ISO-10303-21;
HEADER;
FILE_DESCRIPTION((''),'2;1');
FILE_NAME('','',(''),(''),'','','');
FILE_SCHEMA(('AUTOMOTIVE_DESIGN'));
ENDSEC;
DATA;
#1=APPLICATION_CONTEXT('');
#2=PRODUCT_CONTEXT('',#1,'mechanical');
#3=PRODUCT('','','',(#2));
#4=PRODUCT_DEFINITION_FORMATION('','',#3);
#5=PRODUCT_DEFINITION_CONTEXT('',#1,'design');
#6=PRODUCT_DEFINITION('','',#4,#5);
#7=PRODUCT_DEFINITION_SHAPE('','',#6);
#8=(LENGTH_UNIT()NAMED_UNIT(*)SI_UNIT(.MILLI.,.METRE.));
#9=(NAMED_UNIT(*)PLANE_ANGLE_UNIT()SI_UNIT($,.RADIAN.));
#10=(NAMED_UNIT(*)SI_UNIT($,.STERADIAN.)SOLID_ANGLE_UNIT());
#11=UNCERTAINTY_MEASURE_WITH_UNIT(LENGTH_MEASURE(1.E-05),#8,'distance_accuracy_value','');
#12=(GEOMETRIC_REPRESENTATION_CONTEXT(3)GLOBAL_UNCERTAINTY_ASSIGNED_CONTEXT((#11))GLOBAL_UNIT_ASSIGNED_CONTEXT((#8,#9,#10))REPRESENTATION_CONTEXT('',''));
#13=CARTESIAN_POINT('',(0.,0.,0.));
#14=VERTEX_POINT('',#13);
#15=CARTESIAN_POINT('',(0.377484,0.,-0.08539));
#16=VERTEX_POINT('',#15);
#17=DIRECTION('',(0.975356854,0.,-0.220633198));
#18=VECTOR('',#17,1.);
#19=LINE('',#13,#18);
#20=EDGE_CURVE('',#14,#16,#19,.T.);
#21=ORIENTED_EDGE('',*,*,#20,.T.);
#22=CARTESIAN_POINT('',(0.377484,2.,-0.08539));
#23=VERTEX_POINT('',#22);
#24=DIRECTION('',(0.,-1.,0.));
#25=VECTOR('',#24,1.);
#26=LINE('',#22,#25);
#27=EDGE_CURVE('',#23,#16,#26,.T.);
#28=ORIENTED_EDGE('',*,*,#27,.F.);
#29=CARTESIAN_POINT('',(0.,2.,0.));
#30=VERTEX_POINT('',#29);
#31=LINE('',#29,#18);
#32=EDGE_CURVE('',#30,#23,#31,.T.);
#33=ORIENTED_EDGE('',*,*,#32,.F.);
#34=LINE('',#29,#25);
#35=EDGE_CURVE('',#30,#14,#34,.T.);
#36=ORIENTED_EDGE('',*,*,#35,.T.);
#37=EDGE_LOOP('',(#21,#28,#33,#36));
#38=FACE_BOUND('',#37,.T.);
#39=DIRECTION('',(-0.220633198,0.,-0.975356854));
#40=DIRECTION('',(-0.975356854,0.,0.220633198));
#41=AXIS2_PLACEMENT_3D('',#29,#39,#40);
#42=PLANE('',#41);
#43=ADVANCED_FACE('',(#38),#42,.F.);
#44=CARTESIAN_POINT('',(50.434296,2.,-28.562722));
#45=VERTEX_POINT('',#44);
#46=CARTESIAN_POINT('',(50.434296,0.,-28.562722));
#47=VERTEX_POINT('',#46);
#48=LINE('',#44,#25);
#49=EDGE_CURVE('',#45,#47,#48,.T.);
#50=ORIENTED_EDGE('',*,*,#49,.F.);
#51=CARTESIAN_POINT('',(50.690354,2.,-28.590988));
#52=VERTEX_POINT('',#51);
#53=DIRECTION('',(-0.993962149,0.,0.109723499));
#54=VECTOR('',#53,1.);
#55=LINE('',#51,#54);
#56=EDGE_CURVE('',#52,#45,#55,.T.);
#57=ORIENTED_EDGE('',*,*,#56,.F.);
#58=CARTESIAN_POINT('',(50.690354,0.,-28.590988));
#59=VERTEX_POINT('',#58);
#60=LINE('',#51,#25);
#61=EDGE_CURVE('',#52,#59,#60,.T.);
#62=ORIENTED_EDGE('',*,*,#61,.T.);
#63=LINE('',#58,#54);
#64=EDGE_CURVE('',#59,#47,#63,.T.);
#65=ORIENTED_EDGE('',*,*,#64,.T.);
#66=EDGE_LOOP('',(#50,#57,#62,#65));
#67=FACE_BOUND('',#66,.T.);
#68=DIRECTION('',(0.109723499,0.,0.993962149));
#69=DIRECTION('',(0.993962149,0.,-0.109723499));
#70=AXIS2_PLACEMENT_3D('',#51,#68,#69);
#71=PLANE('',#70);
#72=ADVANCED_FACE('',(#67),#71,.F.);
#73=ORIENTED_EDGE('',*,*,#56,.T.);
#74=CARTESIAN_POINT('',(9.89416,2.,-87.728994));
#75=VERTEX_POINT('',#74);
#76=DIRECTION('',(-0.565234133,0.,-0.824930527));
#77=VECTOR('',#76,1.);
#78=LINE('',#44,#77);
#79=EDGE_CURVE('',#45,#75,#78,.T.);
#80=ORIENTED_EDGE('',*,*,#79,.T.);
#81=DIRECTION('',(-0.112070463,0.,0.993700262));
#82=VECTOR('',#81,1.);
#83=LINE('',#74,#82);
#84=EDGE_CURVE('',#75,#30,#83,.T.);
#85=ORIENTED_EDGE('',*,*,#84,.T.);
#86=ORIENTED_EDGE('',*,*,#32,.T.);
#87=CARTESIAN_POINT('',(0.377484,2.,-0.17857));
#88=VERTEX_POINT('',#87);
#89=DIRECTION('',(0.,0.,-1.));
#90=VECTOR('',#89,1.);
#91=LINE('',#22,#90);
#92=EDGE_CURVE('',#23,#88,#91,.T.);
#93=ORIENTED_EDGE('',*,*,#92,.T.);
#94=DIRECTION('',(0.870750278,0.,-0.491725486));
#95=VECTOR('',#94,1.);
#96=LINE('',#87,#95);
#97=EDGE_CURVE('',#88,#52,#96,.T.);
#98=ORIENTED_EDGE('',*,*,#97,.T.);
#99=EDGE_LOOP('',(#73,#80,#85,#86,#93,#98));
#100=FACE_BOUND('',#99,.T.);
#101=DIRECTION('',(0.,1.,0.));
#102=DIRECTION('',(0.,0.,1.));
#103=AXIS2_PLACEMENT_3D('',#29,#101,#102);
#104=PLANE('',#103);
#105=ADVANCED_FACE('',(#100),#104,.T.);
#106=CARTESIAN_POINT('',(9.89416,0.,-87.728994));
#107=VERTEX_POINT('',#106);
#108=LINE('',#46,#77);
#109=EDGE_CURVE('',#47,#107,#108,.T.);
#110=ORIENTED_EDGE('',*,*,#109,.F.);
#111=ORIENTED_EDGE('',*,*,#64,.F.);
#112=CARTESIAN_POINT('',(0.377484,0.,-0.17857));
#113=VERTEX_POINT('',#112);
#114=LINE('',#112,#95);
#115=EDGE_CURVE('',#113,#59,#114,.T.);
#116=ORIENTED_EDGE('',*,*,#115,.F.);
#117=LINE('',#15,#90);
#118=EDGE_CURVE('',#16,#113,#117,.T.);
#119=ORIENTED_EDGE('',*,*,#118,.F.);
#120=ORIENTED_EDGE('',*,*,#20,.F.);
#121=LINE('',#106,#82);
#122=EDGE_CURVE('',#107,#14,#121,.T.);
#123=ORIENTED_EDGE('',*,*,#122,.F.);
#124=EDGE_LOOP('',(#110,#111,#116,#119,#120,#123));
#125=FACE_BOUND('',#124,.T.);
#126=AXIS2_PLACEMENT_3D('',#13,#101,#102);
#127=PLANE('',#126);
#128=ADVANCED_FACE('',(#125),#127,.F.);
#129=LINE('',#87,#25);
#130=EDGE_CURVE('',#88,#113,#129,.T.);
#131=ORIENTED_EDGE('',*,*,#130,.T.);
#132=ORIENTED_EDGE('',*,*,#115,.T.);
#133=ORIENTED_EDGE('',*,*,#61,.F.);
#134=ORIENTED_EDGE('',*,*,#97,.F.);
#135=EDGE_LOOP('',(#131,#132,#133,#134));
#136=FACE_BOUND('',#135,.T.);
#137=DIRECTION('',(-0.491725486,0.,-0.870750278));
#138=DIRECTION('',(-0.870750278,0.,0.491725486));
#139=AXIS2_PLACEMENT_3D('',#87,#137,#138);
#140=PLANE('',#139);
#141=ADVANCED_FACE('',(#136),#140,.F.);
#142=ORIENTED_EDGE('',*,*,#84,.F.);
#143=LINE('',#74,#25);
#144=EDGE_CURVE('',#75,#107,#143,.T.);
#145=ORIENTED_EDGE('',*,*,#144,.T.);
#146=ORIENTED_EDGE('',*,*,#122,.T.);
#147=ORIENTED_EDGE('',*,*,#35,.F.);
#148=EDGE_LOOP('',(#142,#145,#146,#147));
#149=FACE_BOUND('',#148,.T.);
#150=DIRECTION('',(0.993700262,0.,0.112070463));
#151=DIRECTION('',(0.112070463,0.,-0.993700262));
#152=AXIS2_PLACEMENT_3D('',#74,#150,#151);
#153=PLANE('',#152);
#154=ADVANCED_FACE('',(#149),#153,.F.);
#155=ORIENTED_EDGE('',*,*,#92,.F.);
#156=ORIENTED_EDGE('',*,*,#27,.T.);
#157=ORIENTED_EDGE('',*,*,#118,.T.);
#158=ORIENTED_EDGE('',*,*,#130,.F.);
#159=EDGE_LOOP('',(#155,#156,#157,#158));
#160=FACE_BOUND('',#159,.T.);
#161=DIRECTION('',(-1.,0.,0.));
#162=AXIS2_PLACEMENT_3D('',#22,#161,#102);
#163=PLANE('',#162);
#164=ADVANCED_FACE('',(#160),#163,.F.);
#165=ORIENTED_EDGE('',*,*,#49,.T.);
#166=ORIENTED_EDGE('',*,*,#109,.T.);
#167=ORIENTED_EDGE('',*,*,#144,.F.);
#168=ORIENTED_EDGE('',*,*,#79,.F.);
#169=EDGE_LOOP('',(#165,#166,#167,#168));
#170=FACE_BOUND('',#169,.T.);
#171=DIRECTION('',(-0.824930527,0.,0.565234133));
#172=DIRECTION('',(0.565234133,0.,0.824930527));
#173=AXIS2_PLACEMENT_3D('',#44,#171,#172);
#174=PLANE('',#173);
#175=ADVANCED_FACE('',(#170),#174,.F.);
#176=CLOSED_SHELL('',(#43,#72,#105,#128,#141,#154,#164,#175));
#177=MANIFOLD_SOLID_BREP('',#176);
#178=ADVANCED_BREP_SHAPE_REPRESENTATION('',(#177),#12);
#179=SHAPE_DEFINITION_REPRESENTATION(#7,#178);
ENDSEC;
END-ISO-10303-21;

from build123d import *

# Parameters (mm, degrees)
BOSS_EXTRU_1_DEPTH = 2


with BuildPart() as part:
    # Esquisse1 → Boss.-Extru.1 (new body)
    with BuildSketch(Plane(origin=(0, 0, 0), x_dir=(1, 0, 0), z_dir=(0, 1, 0))):
        Polygon((50.690354459, 28.590988497), (50.434296073, 28.562722207), (9.89415959, 87.728993692), (0, 0), (0.377483634, 0.085389692), (0.377483634, 0.178570482), align=None)
    extrude(amount=BOSS_EXTRU_1_DEPTH)


solid = part.part
